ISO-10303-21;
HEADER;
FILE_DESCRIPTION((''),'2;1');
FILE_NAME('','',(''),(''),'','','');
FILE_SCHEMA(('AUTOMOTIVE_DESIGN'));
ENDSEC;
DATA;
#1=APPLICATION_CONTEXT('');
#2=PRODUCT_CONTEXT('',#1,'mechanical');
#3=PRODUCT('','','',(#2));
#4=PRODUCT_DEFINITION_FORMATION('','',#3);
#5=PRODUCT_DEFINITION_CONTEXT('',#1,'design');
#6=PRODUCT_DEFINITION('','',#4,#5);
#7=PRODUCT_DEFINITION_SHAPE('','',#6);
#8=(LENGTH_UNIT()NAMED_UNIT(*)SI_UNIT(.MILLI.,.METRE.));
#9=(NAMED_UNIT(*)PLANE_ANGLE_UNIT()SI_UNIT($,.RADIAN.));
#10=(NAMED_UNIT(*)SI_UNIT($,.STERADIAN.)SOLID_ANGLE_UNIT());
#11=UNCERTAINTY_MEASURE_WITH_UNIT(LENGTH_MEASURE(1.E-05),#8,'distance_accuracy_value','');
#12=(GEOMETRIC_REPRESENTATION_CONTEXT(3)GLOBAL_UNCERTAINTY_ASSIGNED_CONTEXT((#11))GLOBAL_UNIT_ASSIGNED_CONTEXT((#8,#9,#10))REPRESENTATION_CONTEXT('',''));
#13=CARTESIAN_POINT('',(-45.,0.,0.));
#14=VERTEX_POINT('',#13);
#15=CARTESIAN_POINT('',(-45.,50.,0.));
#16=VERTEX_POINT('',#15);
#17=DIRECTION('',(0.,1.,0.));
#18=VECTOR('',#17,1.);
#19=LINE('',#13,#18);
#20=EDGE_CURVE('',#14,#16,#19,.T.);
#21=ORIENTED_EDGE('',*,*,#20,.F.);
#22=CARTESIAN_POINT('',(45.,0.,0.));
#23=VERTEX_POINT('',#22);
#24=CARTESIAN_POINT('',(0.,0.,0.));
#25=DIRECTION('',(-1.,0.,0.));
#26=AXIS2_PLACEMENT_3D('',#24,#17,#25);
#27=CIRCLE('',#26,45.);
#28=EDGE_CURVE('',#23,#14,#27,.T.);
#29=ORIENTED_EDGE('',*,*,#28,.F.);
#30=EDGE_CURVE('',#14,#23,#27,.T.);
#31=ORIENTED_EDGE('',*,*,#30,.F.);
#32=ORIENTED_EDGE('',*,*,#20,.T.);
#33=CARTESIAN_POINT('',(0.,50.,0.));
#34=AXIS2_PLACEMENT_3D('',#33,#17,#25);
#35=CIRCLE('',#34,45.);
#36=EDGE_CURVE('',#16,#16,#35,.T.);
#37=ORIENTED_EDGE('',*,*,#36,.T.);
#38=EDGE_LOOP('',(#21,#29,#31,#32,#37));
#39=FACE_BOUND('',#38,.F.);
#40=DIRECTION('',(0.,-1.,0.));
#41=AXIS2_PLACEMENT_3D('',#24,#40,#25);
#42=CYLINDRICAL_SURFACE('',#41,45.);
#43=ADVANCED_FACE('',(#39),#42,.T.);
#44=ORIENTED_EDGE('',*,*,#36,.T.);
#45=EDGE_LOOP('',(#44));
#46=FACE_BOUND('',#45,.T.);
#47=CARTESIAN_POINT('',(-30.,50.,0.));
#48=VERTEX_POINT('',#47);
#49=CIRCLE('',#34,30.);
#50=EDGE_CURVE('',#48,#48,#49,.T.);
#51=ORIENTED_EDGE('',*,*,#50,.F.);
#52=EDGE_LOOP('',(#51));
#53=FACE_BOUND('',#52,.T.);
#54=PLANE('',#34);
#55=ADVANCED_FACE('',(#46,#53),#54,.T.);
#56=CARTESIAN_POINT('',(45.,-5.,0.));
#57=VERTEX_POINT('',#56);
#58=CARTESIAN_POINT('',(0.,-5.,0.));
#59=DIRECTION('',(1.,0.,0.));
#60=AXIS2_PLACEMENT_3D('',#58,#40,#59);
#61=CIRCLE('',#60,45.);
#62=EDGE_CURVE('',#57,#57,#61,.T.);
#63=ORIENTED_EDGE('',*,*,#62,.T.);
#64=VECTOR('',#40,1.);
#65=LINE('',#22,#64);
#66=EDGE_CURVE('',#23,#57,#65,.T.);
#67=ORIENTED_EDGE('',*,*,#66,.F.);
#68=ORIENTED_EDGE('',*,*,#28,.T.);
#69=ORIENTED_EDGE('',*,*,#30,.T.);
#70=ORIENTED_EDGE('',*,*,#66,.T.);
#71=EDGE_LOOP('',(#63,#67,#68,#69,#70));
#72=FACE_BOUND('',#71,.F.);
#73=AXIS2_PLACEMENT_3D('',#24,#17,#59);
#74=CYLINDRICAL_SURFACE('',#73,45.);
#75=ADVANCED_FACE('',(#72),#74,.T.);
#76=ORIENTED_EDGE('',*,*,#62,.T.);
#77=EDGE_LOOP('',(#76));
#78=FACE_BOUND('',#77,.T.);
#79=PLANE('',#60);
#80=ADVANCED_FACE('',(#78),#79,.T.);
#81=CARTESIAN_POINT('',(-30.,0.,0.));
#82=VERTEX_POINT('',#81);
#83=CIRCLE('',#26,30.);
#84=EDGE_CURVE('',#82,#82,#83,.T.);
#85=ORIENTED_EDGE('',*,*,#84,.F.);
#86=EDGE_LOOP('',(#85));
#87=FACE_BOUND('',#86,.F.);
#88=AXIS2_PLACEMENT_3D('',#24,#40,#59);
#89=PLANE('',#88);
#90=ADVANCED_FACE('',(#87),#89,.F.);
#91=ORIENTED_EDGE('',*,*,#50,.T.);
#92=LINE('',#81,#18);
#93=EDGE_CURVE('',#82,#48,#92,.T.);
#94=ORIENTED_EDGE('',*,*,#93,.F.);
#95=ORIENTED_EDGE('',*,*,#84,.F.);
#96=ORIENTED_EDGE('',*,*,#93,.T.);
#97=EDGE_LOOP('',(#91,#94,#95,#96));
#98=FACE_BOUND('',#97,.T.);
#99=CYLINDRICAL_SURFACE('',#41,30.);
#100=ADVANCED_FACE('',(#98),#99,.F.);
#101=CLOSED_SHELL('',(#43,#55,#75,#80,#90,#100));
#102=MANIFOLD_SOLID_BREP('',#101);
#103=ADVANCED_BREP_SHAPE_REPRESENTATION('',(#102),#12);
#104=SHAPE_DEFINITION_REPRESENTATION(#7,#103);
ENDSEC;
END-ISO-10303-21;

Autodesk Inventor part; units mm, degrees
ref_plane "YZ Plane" through (0, 0, 0) normal (1, 0, 0) x (0, 1, 0)
ref_plane "XZ Plane" through (0, 0, 0) normal (0, 1, 0) x (-1, 0, 0)
ref_plane "XY Plane" through (0, 0, 0) normal (0, 0, 1) x (1, 0, 0)
sketch "스케치1" plane through (0, 0, 0) normal (0, 1, 0) x (-1, 0, 0)
  circle A0 centre (0, 0) radius 30
  circle A1 centre (0, 0) radius 45
  dimension "d0" = 60
  dimension "d1" = 15
extrude "돌출1" add sketch "스케치1" along normal blind 50
sketch "스케치2" plane through (0, 0, 0) normal (0, -1, 0) x (1, 0, 0)
  circle A0 centre (0, 0) radius 45
  dimension "d6" = 90
extrude "돌출2" add sketch "스케치2" along normal blind 5
properties part number "cell_braket"
